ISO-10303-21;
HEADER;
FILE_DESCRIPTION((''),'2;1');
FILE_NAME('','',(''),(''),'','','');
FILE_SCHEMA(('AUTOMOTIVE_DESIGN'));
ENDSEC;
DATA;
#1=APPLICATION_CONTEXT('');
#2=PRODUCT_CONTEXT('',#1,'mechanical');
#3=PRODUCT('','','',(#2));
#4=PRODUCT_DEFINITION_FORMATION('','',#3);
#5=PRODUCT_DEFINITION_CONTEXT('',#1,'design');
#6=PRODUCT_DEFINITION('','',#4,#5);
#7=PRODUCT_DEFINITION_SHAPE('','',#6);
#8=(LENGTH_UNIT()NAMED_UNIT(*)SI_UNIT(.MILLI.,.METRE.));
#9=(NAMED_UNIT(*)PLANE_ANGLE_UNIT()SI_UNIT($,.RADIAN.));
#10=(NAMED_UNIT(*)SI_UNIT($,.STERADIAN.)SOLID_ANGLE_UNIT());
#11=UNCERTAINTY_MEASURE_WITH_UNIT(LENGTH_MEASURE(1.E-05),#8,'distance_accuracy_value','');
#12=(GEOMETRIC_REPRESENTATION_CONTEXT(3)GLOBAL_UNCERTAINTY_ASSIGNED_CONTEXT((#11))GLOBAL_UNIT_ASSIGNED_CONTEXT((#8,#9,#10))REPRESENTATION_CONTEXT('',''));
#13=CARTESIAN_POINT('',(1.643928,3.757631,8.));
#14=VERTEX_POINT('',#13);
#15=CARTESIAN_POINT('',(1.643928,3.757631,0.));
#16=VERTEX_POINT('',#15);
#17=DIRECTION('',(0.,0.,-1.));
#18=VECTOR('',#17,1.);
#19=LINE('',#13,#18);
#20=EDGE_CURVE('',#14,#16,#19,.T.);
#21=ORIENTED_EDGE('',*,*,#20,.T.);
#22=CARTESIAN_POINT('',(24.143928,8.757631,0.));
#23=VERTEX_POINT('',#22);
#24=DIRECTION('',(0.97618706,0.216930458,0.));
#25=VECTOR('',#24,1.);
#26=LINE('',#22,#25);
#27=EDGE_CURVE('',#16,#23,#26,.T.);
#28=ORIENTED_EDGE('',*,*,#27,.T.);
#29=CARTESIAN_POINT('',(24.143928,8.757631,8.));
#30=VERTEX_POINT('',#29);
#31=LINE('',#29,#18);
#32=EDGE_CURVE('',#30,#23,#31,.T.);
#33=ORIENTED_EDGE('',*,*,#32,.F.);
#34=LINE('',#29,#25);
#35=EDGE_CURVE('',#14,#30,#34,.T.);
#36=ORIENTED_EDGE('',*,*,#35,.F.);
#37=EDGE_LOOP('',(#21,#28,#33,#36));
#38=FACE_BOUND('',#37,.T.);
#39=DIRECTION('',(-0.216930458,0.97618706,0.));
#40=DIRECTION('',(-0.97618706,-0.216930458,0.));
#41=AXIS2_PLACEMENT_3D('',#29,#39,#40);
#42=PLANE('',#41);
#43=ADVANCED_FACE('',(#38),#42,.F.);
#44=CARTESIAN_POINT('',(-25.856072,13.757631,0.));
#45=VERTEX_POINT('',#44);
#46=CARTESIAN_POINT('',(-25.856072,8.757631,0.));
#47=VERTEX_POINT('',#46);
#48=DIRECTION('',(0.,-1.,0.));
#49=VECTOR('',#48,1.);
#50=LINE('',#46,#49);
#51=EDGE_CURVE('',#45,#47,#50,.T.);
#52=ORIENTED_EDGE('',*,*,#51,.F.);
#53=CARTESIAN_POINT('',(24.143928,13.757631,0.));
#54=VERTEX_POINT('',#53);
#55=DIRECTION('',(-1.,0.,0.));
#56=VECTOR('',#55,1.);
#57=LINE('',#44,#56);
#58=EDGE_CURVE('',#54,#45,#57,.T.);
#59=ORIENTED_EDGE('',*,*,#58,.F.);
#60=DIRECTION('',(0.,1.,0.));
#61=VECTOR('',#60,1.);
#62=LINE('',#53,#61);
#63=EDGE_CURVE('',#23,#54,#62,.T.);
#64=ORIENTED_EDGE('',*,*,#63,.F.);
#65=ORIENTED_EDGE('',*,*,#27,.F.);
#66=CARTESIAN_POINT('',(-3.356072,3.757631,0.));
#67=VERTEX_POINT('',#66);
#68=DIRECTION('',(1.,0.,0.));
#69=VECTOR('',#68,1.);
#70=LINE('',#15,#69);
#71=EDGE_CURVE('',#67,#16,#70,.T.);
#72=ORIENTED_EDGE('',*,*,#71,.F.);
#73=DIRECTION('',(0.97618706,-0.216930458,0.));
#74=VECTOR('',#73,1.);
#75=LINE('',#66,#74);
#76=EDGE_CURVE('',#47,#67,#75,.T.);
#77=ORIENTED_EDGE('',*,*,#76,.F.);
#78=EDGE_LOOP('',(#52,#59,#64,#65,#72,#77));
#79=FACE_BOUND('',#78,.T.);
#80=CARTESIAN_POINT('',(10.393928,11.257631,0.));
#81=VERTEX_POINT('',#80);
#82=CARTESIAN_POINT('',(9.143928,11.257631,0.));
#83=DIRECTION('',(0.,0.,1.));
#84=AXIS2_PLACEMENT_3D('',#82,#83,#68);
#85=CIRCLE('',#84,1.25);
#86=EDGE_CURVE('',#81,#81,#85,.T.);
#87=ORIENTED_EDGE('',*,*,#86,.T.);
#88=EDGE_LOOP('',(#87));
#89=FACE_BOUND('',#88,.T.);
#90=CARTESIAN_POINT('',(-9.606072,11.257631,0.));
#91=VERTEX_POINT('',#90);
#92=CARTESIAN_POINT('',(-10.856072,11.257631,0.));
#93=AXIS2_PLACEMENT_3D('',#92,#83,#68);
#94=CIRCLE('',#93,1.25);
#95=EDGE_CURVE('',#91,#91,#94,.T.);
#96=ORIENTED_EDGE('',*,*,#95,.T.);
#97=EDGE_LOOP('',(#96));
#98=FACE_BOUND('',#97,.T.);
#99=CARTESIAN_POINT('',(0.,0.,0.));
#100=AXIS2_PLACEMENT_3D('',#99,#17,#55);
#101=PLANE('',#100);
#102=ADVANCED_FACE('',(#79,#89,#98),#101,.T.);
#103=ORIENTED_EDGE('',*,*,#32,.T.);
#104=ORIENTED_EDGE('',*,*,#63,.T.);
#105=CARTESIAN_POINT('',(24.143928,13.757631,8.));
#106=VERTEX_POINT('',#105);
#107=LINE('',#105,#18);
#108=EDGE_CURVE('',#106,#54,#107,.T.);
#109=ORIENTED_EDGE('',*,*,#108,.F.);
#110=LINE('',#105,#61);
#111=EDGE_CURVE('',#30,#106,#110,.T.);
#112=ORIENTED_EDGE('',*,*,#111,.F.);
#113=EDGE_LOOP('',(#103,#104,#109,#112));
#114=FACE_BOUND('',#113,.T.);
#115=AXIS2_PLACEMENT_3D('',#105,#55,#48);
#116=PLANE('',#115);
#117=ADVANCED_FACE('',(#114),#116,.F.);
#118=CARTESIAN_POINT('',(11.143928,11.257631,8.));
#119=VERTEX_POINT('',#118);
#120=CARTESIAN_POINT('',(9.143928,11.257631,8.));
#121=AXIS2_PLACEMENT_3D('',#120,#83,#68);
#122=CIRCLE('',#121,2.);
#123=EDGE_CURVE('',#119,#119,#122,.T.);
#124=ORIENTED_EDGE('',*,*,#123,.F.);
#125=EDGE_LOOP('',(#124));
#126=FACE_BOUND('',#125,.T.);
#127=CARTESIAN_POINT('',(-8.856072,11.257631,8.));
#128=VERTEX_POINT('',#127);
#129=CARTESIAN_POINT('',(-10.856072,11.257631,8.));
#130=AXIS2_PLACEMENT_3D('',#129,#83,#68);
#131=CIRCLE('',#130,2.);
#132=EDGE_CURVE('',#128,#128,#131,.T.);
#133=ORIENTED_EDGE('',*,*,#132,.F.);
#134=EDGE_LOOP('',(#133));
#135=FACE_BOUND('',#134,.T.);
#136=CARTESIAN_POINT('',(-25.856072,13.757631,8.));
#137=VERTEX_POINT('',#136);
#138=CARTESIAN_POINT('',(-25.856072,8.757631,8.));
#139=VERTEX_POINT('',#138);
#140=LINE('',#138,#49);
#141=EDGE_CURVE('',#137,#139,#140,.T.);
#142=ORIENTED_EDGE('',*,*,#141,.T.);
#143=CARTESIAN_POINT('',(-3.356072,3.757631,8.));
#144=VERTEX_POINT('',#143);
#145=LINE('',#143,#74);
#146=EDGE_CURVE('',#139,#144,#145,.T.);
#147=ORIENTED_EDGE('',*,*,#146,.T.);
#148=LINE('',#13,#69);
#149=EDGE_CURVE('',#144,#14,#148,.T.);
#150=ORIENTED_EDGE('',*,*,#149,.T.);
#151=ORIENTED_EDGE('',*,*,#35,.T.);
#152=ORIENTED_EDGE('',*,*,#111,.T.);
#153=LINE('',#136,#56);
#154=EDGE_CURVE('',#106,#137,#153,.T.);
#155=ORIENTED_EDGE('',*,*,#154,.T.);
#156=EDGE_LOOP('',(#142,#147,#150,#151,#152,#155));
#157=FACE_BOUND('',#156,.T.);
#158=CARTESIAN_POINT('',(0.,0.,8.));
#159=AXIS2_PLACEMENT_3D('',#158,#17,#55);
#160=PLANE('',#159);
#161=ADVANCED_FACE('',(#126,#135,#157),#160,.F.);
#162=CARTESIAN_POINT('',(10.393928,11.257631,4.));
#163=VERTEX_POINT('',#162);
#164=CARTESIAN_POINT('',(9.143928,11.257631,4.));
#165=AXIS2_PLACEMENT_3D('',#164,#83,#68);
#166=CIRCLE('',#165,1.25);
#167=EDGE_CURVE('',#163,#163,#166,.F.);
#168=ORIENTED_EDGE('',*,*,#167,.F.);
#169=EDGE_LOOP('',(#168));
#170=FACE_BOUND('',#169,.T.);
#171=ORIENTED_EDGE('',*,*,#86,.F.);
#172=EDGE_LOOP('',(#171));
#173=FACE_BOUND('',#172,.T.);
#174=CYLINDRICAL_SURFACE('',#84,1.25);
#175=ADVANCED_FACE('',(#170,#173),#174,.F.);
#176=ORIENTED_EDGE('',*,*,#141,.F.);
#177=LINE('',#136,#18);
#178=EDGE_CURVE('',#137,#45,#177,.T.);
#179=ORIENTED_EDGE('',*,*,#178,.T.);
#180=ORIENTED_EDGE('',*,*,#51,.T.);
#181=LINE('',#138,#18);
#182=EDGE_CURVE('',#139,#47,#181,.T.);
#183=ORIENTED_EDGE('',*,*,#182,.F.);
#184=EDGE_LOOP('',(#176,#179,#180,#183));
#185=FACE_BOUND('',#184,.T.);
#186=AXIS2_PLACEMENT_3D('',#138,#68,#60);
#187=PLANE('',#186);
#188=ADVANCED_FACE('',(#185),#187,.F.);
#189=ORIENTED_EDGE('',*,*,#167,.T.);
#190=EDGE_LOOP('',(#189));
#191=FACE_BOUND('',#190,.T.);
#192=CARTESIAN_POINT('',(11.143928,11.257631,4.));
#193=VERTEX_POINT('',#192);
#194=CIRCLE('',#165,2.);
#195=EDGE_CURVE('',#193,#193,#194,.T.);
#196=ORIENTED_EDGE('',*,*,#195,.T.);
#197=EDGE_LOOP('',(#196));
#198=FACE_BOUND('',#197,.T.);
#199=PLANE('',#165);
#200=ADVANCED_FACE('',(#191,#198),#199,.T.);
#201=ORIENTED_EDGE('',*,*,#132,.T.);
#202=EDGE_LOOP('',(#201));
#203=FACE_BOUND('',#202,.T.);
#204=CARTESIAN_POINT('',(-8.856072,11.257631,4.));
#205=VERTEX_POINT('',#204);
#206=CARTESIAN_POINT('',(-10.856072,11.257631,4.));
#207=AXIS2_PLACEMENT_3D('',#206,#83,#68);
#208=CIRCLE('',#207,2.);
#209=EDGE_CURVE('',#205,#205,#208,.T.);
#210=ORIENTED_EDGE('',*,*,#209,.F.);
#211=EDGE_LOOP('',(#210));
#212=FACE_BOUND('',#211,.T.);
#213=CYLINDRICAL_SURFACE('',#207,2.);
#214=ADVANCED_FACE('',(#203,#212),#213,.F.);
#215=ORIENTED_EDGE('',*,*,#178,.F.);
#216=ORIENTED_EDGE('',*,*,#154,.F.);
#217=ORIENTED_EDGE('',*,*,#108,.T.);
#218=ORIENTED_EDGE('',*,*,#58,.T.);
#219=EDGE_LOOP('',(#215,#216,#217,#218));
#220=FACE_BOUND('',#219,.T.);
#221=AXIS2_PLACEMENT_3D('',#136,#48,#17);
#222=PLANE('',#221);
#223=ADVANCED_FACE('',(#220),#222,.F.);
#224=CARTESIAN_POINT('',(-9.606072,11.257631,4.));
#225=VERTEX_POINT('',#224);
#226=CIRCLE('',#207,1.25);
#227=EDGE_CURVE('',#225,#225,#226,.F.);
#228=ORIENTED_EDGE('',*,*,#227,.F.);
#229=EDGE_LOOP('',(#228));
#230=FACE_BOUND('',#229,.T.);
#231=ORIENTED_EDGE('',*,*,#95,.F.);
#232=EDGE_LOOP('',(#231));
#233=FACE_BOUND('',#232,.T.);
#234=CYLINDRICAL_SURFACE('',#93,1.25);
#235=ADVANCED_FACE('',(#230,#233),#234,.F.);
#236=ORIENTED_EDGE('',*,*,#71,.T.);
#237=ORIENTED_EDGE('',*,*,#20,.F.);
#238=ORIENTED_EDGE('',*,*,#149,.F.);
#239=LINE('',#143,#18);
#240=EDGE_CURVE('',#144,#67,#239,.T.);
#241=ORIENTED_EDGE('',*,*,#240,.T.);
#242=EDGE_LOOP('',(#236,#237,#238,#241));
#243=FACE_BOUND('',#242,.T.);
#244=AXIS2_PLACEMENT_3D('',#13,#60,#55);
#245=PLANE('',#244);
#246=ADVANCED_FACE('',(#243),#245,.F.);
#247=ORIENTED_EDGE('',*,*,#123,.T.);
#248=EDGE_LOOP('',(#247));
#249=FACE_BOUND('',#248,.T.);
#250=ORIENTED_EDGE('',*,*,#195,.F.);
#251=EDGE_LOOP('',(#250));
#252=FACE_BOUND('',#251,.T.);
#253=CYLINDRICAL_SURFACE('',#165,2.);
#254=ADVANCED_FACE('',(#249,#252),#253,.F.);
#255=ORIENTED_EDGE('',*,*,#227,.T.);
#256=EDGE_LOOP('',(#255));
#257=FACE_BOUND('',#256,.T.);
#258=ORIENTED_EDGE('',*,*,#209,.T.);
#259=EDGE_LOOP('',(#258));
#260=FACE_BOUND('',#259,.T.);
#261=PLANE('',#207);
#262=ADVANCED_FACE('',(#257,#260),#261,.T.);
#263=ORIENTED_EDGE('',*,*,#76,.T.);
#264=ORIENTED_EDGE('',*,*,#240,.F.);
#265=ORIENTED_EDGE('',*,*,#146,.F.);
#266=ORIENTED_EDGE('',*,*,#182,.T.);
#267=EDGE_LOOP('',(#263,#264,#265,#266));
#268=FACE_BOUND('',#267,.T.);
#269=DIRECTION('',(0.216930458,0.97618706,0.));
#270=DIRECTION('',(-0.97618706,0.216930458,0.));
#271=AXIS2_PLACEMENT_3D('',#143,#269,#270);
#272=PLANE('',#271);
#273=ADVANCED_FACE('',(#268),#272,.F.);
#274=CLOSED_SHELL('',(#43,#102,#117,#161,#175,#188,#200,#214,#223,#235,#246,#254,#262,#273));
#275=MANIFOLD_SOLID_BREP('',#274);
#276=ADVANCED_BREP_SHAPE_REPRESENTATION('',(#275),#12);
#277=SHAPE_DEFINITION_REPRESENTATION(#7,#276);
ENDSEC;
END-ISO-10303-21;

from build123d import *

# Parameters (mm, degrees)
EXTRUDE_1_DEPTH     = 8
SKETCH_2_R          = 1.25
CUT_EXTRUDE_1_DEPTH = 8
SKETCH_3_R          = 2
CUT_EXTRUDE_2_DEPTH = 4


with BuildPart() as part:
    # Эскиз1 → Бобышка-Вытянуть1 (new body)
    with BuildSketch(Plane.XY):
        Polygon((-25.856072272, 13.757630696), (24.143927728, 13.757630696), (24.143927728, 8.757630696), (1.643927728, 3.757630696), (-3.356072272, 3.757630696), (-25.856072272, 8.757630696), align=None)
    extrude(amount=EXTRUDE_1_DEPTH)

    # Эскиз2 → Вырез-Вытянуть1 (cut)
    with BuildSketch(Plane.XY.offset(8)):
        with Locations((-10.856072272, 11.257630696)):
            Circle(SKETCH_2_R)
        with Locations((9.143927728, 11.257630696)):
            Circle(SKETCH_2_R)
    extrude(amount=-CUT_EXTRUDE_1_DEPTH, mode=Mode.SUBTRACT)

    # Эскиз3 → Вырез-Вытянуть2 (cut)
    with BuildSketch(Plane.XY.offset(8)):
        with Locations((-10.856072272, 11.257630696)):
            Circle(SKETCH_3_R)
        with Locations((9.143927728, 11.257630696)):
            Circle(SKETCH_3_R)
    extrude(amount=-CUT_EXTRUDE_2_DEPTH, mode=Mode.SUBTRACT)


solid = part.part
